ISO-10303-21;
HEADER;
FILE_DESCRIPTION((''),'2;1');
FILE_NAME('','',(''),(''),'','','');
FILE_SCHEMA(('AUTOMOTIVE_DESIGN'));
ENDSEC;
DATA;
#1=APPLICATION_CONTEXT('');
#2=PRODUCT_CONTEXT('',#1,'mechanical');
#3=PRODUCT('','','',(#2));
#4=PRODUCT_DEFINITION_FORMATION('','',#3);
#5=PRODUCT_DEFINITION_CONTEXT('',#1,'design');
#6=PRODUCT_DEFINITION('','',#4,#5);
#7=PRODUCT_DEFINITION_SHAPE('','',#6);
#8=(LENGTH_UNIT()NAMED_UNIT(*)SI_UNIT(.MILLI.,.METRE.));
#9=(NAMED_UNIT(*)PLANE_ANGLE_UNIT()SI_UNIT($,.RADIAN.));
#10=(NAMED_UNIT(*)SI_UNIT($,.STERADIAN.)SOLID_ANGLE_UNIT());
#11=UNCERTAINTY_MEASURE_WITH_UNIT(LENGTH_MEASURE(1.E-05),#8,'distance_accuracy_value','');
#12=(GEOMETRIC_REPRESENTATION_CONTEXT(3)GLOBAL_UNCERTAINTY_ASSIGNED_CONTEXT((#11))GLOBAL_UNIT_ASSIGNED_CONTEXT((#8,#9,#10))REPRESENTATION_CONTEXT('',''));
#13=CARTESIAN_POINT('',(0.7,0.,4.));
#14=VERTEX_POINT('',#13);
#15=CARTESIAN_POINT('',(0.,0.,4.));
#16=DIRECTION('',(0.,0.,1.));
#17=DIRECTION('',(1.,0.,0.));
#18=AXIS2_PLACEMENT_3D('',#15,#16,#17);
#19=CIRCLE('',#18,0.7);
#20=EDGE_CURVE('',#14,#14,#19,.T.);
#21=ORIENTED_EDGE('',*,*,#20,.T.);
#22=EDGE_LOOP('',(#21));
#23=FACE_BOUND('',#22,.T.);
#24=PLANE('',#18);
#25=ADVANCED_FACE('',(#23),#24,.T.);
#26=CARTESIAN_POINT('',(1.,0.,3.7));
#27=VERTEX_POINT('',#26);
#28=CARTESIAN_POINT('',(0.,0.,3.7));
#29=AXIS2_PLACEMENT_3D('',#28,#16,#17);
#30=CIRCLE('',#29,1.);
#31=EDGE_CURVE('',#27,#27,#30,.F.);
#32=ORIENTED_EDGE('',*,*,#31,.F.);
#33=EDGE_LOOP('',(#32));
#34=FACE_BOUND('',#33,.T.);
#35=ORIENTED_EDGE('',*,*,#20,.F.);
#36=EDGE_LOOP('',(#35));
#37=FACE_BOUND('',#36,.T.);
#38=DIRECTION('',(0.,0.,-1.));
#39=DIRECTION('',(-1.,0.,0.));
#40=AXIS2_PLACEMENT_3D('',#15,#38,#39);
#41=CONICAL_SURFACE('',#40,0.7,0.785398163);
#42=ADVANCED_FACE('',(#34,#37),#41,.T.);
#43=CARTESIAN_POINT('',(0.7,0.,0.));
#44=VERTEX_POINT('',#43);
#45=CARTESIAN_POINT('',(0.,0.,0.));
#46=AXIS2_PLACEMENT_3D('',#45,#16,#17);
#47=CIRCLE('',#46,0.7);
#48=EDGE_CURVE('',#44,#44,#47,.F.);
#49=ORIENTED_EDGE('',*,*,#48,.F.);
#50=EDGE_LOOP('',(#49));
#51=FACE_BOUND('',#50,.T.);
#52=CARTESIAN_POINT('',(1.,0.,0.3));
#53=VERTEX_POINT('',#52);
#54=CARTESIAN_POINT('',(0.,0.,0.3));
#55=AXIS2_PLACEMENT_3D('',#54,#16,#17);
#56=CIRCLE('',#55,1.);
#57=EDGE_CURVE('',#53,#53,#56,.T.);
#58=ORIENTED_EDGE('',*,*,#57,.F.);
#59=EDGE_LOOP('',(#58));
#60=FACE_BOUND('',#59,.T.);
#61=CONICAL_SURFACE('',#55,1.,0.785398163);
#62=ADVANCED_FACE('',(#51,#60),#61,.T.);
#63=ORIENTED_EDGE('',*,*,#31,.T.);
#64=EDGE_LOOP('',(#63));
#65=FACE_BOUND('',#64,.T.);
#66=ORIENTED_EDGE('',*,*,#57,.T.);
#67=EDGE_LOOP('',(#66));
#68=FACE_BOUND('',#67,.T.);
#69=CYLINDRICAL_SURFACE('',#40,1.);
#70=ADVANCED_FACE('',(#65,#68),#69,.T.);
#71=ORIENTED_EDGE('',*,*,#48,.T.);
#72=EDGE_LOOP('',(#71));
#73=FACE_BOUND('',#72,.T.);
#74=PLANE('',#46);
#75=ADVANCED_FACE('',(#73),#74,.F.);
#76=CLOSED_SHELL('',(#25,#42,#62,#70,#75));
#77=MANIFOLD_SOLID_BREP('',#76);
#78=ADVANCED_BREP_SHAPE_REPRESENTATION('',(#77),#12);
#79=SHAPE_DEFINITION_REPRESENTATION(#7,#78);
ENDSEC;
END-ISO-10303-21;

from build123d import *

# Parameters (mm, degrees)
SKETCH1_R           = 1
BOSS_EXTRUDE1_DEPTH = 4
CHAMFER1_SIZE       = 0.3


with BuildPart() as part:
    # Sketch1 → Boss-Extrude1 (new body)
    with BuildSketch(Plane.XY):
        Circle(SKETCH1_R)
    extrude(amount=BOSS_EXTRUDE1_DEPTH)

    # Chamfer1
    chamfer1_edges = [part.edges().sort_by_distance(p)[0] for p in [
        (-1, 0, 0),
        (-1, 0, 4),
    ]]
    chamfer(chamfer1_edges, length=CHAMFER1_SIZE)


solid = part.part
